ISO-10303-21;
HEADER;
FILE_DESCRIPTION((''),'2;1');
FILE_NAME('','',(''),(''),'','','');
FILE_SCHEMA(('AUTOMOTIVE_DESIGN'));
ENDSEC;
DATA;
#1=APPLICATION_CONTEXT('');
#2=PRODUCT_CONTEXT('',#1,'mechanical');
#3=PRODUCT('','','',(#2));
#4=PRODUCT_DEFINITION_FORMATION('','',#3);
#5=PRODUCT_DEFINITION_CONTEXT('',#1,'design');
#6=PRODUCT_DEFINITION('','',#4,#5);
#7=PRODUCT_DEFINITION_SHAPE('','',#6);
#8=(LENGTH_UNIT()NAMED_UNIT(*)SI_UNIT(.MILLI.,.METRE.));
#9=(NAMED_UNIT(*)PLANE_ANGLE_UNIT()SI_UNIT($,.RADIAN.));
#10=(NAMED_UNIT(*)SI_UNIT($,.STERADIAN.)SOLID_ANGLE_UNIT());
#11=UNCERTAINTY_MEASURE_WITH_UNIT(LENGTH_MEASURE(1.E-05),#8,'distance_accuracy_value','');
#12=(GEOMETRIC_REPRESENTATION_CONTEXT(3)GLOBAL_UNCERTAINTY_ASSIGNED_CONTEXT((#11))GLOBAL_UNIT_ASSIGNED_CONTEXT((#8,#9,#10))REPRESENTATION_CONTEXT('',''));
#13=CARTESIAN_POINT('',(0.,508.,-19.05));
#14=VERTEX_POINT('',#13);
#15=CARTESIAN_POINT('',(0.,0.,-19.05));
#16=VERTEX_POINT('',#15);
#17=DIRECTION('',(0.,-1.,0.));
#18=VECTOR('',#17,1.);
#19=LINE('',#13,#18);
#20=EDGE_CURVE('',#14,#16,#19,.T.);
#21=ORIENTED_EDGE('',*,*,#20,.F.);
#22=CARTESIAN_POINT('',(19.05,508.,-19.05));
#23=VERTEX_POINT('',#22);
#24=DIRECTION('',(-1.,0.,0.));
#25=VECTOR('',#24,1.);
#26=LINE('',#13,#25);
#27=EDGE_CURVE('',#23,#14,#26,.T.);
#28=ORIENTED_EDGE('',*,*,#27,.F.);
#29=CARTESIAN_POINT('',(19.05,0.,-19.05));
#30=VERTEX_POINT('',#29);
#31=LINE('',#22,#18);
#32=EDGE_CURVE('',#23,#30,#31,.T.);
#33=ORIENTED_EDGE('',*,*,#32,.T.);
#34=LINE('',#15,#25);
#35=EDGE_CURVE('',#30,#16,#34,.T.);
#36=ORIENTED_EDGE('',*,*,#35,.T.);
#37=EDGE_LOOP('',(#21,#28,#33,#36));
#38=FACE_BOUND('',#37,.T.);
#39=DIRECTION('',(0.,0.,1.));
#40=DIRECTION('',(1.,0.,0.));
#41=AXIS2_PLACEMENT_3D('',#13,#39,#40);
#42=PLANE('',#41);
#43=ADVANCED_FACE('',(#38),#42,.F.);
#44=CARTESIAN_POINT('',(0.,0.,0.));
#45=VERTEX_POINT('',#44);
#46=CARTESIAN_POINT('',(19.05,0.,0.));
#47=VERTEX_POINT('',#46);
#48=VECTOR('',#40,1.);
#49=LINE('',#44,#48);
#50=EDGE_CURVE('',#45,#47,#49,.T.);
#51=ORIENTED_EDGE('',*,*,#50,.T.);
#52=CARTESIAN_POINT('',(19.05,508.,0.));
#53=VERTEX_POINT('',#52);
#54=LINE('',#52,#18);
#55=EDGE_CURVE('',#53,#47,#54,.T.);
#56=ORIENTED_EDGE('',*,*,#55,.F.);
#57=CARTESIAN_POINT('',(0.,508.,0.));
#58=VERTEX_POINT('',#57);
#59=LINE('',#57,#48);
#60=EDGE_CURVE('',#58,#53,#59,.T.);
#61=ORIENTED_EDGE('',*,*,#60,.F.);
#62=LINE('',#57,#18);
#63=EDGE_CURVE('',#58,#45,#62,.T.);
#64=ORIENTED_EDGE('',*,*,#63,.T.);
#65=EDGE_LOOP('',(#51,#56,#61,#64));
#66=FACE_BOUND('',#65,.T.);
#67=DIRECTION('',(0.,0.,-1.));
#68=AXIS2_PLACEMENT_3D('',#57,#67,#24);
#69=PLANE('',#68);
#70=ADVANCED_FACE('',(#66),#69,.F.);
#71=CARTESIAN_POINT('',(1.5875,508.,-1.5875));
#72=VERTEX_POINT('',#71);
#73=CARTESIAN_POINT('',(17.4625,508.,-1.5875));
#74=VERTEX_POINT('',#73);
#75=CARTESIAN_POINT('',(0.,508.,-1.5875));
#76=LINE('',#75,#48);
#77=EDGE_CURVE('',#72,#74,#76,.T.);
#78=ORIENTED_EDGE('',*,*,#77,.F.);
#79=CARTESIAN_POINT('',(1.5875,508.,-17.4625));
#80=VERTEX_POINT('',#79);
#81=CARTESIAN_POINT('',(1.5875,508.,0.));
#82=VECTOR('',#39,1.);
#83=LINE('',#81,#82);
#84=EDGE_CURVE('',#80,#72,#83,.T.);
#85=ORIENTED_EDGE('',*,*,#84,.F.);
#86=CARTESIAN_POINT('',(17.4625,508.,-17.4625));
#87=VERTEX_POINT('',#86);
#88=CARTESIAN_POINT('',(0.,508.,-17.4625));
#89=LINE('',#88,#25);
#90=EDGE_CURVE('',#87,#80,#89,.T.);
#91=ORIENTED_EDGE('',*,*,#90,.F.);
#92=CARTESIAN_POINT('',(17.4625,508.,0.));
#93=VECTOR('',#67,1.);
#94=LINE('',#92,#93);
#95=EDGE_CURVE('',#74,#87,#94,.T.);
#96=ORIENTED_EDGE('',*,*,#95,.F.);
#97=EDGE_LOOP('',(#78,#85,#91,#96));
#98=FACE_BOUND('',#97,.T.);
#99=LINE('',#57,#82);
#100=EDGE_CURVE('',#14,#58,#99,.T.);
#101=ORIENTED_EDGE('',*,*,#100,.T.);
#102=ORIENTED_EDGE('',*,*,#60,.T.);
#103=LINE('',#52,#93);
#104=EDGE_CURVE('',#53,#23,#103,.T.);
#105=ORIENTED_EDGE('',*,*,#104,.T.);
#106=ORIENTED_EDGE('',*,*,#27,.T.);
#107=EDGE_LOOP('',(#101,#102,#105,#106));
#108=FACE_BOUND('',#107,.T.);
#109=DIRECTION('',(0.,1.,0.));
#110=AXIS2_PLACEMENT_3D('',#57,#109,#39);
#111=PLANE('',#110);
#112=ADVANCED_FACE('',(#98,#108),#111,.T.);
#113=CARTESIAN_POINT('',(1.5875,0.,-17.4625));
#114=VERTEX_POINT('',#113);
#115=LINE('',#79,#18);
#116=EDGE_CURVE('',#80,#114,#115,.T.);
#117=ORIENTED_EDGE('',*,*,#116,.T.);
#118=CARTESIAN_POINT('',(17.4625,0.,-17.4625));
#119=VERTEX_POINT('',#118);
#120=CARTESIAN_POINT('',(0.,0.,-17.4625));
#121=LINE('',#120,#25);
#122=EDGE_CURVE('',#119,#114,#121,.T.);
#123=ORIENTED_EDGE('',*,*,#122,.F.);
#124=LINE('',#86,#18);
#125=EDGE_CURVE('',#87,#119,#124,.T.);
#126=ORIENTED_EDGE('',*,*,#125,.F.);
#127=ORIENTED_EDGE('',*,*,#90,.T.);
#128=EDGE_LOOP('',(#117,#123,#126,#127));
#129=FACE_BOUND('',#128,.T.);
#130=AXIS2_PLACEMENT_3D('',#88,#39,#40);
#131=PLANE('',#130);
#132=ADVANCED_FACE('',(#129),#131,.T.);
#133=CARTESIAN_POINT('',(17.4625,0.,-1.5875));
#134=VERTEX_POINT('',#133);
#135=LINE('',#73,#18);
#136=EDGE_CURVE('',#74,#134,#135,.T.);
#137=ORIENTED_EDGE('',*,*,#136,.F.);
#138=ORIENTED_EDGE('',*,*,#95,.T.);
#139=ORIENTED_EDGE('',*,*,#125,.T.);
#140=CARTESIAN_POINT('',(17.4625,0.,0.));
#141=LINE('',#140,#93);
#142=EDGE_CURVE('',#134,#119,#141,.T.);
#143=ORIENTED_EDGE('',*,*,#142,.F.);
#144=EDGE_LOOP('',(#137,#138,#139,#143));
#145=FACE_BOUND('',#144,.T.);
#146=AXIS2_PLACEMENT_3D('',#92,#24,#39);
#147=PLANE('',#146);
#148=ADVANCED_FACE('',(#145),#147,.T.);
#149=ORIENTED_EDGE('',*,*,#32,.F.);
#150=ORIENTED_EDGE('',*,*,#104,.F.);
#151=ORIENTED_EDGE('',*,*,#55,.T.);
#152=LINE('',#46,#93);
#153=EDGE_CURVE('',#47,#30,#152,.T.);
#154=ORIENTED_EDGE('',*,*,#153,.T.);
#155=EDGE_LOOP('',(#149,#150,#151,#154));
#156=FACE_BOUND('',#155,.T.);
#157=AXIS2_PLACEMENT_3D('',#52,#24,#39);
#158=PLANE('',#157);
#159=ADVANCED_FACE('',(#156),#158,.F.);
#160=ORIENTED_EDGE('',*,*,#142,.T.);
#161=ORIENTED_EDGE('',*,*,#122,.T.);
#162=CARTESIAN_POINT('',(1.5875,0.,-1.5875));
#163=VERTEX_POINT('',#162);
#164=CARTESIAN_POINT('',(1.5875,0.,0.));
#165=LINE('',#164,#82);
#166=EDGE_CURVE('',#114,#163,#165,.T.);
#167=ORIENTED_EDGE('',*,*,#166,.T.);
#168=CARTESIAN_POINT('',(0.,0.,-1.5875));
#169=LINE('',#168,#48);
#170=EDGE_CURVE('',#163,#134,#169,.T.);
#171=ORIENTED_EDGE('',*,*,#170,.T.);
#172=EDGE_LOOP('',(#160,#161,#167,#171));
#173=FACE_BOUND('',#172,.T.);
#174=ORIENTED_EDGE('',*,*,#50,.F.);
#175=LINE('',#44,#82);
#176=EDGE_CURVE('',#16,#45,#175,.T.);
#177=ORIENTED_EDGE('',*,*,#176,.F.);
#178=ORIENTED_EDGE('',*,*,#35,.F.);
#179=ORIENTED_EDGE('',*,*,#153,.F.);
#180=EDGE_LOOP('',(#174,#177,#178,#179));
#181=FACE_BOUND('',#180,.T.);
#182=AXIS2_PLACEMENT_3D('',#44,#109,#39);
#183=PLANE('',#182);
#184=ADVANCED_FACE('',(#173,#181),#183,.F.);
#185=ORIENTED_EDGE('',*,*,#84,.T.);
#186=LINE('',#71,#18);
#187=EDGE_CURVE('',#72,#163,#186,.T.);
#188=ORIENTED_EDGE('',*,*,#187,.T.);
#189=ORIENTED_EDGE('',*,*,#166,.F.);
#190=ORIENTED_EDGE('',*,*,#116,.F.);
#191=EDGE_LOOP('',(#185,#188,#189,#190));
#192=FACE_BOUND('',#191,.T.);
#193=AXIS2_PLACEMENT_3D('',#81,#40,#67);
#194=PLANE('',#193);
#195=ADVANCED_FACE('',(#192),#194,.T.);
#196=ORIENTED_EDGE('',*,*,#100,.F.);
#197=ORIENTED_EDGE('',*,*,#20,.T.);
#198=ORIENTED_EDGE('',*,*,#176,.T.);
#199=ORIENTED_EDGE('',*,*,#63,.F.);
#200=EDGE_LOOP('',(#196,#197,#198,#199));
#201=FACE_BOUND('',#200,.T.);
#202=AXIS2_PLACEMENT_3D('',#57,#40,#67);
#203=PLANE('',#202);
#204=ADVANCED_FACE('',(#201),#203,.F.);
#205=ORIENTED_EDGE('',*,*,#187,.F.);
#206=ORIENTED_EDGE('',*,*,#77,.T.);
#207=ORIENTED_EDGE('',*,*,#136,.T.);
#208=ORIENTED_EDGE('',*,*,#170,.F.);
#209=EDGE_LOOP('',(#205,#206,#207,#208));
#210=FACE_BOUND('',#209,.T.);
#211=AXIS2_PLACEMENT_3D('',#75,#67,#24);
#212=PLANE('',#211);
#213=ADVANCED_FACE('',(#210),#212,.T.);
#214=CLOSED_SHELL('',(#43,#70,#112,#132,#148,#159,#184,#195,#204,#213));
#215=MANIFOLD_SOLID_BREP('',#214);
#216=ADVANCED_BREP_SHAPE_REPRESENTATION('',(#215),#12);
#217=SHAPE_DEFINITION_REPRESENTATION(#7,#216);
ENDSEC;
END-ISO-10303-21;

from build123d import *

# Parameters (mm, degrees)
SKETCH1_W           = 19.05
SKETCH1_H           = 19.05
SKETCH1_W_2         = 15.875
SKETCH1_H_2         = 15.875
EXTRUDE_THIN1_DEPTH = 508


with BuildPart() as part:
    # Sketch1 → Extrude-Thin1 (new body)
    with BuildSketch(Plane(origin=(0, 0, 0), x_dir=(1, 0, 0), z_dir=(0, 1, 0))):
        with Locations((9.525, 9.525)):
            Rectangle(SKETCH1_W, SKETCH1_H)
        with Locations((9.525, 9.525)):
            Rectangle(SKETCH1_W_2, SKETCH1_H_2, mode=Mode.SUBTRACT)
    extrude(amount=EXTRUDE_THIN1_DEPTH)


solid = part.part
